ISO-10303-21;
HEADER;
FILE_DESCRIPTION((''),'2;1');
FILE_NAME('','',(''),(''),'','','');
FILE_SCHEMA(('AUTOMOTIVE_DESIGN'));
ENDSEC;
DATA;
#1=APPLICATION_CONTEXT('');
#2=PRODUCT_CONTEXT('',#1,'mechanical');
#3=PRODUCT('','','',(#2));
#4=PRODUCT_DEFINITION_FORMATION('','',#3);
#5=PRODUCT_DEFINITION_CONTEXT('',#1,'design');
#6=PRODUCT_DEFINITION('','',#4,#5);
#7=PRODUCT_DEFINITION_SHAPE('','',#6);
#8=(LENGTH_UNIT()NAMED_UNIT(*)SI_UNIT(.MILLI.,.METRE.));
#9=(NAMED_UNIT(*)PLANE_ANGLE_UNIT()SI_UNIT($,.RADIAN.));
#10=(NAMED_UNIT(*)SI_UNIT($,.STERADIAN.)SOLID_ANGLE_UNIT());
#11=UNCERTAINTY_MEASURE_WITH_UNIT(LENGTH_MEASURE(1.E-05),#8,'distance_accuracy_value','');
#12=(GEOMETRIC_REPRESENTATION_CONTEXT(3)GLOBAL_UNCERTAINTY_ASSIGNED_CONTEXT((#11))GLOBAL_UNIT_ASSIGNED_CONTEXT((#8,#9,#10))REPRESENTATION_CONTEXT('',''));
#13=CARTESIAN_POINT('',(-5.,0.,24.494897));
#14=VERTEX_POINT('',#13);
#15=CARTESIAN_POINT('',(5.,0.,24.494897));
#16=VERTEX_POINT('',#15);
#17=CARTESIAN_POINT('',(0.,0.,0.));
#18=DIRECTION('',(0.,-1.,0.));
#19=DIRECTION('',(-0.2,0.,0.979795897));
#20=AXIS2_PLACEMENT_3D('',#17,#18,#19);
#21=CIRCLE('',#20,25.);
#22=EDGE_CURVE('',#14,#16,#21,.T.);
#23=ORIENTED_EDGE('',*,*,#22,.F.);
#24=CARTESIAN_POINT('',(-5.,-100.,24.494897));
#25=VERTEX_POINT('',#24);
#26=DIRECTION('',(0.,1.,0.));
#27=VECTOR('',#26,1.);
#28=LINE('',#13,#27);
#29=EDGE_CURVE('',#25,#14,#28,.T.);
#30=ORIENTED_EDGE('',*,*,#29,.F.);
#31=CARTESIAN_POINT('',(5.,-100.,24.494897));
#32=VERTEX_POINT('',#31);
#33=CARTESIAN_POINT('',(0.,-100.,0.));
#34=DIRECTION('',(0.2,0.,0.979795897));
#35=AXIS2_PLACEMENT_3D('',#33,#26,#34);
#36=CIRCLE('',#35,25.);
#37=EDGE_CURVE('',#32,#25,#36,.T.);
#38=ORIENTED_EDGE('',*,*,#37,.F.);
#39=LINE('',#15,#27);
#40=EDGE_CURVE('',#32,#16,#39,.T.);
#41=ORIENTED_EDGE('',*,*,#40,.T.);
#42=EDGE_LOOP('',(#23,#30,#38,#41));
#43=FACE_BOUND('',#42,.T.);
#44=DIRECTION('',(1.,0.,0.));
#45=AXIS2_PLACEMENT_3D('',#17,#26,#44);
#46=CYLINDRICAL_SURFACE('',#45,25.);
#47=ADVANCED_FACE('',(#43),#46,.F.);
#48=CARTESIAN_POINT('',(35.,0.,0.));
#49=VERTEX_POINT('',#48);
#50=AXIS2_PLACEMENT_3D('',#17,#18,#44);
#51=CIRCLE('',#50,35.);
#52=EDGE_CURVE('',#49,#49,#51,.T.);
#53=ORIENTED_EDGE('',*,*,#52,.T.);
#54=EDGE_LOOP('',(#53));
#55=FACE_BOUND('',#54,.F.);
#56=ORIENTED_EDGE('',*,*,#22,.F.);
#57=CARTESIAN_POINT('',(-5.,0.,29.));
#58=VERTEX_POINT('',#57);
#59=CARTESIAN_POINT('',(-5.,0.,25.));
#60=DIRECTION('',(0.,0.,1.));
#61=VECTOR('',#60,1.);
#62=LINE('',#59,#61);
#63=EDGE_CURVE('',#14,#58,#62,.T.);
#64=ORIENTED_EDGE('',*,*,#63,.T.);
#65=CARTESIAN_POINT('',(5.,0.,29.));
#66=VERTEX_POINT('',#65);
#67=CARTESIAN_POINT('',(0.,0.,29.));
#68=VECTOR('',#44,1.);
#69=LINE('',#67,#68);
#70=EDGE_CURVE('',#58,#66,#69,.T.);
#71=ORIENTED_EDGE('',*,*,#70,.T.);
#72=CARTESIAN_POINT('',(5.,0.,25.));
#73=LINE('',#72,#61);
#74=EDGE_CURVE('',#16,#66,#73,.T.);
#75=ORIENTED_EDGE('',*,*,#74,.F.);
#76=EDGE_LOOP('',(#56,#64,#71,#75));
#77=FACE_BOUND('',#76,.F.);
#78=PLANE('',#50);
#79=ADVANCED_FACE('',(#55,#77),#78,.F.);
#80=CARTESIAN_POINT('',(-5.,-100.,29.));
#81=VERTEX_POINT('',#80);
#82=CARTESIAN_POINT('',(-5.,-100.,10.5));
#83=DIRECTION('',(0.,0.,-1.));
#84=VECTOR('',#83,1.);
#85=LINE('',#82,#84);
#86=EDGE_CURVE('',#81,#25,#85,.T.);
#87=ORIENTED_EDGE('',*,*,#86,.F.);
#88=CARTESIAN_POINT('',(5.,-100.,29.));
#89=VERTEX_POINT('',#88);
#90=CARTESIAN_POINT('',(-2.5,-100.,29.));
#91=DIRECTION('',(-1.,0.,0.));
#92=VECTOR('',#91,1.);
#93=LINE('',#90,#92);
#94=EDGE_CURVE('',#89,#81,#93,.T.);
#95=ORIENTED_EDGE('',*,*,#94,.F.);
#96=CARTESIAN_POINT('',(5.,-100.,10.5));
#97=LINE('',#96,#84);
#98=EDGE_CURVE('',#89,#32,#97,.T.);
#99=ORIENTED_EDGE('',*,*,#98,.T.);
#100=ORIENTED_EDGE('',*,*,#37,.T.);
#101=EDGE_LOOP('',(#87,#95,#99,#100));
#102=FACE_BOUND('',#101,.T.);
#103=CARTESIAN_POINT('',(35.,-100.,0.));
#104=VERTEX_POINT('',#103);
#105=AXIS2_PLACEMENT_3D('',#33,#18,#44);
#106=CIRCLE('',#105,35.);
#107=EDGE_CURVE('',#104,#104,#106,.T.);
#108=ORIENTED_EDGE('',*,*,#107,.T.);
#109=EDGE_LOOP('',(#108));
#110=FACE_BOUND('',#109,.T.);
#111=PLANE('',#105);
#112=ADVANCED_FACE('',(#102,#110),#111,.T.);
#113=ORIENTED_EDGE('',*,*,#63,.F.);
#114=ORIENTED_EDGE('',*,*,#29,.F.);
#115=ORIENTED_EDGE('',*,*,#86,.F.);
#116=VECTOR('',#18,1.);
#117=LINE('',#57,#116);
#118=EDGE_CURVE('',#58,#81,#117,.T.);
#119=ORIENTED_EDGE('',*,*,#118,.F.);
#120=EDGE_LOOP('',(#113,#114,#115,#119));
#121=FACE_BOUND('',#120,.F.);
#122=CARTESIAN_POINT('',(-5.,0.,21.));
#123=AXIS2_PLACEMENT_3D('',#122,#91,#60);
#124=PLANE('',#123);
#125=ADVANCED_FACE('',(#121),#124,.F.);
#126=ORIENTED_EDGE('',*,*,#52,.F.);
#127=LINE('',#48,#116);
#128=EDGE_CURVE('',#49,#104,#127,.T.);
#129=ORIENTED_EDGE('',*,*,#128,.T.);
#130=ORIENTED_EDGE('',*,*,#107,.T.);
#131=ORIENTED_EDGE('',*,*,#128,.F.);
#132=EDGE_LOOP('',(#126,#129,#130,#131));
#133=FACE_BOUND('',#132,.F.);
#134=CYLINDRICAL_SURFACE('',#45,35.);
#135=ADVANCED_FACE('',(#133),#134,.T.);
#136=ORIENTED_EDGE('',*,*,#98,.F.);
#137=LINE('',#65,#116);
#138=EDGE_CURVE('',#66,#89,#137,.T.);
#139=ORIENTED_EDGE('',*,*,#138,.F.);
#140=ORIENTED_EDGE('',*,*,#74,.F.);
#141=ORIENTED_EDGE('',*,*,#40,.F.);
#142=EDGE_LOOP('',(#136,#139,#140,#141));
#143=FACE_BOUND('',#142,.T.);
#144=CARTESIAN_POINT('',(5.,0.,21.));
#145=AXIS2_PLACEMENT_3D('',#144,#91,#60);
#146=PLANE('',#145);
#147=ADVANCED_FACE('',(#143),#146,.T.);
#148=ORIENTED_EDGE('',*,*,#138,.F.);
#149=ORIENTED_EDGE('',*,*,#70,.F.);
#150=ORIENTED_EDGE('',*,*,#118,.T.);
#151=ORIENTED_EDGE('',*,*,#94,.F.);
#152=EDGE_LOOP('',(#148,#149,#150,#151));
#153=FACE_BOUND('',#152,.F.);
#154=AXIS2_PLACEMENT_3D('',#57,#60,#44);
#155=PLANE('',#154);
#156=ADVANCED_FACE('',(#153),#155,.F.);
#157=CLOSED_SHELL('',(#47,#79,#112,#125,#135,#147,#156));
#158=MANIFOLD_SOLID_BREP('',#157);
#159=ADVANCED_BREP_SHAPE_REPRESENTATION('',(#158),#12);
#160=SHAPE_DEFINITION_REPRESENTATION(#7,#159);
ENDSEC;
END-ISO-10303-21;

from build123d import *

# Parameters (mm, degrees)
F0_R     = 35
F0_R_2   = 25
F1_DEPTH = 100
F2_W     = 10
F2_H     = 8
F3_DEPTH = 100.001


with BuildPart() as f1:
    # F0 (on Front) → F1 (new body)
    with BuildSketch(Plane.XZ):
        Circle(F0_R)
        Circle(F0_R_2, mode=Mode.SUBTRACT)
    extrude(amount=F1_DEPTH)

    # F2 (on Front) → F3 (cut, through all)
    with BuildSketch(Plane.XZ):
        with Locations((0, 25)):
            Rectangle(F2_W, F2_H)
    extrude(amount=F3_DEPTH, mode=Mode.SUBTRACT)


solid = f1.part
